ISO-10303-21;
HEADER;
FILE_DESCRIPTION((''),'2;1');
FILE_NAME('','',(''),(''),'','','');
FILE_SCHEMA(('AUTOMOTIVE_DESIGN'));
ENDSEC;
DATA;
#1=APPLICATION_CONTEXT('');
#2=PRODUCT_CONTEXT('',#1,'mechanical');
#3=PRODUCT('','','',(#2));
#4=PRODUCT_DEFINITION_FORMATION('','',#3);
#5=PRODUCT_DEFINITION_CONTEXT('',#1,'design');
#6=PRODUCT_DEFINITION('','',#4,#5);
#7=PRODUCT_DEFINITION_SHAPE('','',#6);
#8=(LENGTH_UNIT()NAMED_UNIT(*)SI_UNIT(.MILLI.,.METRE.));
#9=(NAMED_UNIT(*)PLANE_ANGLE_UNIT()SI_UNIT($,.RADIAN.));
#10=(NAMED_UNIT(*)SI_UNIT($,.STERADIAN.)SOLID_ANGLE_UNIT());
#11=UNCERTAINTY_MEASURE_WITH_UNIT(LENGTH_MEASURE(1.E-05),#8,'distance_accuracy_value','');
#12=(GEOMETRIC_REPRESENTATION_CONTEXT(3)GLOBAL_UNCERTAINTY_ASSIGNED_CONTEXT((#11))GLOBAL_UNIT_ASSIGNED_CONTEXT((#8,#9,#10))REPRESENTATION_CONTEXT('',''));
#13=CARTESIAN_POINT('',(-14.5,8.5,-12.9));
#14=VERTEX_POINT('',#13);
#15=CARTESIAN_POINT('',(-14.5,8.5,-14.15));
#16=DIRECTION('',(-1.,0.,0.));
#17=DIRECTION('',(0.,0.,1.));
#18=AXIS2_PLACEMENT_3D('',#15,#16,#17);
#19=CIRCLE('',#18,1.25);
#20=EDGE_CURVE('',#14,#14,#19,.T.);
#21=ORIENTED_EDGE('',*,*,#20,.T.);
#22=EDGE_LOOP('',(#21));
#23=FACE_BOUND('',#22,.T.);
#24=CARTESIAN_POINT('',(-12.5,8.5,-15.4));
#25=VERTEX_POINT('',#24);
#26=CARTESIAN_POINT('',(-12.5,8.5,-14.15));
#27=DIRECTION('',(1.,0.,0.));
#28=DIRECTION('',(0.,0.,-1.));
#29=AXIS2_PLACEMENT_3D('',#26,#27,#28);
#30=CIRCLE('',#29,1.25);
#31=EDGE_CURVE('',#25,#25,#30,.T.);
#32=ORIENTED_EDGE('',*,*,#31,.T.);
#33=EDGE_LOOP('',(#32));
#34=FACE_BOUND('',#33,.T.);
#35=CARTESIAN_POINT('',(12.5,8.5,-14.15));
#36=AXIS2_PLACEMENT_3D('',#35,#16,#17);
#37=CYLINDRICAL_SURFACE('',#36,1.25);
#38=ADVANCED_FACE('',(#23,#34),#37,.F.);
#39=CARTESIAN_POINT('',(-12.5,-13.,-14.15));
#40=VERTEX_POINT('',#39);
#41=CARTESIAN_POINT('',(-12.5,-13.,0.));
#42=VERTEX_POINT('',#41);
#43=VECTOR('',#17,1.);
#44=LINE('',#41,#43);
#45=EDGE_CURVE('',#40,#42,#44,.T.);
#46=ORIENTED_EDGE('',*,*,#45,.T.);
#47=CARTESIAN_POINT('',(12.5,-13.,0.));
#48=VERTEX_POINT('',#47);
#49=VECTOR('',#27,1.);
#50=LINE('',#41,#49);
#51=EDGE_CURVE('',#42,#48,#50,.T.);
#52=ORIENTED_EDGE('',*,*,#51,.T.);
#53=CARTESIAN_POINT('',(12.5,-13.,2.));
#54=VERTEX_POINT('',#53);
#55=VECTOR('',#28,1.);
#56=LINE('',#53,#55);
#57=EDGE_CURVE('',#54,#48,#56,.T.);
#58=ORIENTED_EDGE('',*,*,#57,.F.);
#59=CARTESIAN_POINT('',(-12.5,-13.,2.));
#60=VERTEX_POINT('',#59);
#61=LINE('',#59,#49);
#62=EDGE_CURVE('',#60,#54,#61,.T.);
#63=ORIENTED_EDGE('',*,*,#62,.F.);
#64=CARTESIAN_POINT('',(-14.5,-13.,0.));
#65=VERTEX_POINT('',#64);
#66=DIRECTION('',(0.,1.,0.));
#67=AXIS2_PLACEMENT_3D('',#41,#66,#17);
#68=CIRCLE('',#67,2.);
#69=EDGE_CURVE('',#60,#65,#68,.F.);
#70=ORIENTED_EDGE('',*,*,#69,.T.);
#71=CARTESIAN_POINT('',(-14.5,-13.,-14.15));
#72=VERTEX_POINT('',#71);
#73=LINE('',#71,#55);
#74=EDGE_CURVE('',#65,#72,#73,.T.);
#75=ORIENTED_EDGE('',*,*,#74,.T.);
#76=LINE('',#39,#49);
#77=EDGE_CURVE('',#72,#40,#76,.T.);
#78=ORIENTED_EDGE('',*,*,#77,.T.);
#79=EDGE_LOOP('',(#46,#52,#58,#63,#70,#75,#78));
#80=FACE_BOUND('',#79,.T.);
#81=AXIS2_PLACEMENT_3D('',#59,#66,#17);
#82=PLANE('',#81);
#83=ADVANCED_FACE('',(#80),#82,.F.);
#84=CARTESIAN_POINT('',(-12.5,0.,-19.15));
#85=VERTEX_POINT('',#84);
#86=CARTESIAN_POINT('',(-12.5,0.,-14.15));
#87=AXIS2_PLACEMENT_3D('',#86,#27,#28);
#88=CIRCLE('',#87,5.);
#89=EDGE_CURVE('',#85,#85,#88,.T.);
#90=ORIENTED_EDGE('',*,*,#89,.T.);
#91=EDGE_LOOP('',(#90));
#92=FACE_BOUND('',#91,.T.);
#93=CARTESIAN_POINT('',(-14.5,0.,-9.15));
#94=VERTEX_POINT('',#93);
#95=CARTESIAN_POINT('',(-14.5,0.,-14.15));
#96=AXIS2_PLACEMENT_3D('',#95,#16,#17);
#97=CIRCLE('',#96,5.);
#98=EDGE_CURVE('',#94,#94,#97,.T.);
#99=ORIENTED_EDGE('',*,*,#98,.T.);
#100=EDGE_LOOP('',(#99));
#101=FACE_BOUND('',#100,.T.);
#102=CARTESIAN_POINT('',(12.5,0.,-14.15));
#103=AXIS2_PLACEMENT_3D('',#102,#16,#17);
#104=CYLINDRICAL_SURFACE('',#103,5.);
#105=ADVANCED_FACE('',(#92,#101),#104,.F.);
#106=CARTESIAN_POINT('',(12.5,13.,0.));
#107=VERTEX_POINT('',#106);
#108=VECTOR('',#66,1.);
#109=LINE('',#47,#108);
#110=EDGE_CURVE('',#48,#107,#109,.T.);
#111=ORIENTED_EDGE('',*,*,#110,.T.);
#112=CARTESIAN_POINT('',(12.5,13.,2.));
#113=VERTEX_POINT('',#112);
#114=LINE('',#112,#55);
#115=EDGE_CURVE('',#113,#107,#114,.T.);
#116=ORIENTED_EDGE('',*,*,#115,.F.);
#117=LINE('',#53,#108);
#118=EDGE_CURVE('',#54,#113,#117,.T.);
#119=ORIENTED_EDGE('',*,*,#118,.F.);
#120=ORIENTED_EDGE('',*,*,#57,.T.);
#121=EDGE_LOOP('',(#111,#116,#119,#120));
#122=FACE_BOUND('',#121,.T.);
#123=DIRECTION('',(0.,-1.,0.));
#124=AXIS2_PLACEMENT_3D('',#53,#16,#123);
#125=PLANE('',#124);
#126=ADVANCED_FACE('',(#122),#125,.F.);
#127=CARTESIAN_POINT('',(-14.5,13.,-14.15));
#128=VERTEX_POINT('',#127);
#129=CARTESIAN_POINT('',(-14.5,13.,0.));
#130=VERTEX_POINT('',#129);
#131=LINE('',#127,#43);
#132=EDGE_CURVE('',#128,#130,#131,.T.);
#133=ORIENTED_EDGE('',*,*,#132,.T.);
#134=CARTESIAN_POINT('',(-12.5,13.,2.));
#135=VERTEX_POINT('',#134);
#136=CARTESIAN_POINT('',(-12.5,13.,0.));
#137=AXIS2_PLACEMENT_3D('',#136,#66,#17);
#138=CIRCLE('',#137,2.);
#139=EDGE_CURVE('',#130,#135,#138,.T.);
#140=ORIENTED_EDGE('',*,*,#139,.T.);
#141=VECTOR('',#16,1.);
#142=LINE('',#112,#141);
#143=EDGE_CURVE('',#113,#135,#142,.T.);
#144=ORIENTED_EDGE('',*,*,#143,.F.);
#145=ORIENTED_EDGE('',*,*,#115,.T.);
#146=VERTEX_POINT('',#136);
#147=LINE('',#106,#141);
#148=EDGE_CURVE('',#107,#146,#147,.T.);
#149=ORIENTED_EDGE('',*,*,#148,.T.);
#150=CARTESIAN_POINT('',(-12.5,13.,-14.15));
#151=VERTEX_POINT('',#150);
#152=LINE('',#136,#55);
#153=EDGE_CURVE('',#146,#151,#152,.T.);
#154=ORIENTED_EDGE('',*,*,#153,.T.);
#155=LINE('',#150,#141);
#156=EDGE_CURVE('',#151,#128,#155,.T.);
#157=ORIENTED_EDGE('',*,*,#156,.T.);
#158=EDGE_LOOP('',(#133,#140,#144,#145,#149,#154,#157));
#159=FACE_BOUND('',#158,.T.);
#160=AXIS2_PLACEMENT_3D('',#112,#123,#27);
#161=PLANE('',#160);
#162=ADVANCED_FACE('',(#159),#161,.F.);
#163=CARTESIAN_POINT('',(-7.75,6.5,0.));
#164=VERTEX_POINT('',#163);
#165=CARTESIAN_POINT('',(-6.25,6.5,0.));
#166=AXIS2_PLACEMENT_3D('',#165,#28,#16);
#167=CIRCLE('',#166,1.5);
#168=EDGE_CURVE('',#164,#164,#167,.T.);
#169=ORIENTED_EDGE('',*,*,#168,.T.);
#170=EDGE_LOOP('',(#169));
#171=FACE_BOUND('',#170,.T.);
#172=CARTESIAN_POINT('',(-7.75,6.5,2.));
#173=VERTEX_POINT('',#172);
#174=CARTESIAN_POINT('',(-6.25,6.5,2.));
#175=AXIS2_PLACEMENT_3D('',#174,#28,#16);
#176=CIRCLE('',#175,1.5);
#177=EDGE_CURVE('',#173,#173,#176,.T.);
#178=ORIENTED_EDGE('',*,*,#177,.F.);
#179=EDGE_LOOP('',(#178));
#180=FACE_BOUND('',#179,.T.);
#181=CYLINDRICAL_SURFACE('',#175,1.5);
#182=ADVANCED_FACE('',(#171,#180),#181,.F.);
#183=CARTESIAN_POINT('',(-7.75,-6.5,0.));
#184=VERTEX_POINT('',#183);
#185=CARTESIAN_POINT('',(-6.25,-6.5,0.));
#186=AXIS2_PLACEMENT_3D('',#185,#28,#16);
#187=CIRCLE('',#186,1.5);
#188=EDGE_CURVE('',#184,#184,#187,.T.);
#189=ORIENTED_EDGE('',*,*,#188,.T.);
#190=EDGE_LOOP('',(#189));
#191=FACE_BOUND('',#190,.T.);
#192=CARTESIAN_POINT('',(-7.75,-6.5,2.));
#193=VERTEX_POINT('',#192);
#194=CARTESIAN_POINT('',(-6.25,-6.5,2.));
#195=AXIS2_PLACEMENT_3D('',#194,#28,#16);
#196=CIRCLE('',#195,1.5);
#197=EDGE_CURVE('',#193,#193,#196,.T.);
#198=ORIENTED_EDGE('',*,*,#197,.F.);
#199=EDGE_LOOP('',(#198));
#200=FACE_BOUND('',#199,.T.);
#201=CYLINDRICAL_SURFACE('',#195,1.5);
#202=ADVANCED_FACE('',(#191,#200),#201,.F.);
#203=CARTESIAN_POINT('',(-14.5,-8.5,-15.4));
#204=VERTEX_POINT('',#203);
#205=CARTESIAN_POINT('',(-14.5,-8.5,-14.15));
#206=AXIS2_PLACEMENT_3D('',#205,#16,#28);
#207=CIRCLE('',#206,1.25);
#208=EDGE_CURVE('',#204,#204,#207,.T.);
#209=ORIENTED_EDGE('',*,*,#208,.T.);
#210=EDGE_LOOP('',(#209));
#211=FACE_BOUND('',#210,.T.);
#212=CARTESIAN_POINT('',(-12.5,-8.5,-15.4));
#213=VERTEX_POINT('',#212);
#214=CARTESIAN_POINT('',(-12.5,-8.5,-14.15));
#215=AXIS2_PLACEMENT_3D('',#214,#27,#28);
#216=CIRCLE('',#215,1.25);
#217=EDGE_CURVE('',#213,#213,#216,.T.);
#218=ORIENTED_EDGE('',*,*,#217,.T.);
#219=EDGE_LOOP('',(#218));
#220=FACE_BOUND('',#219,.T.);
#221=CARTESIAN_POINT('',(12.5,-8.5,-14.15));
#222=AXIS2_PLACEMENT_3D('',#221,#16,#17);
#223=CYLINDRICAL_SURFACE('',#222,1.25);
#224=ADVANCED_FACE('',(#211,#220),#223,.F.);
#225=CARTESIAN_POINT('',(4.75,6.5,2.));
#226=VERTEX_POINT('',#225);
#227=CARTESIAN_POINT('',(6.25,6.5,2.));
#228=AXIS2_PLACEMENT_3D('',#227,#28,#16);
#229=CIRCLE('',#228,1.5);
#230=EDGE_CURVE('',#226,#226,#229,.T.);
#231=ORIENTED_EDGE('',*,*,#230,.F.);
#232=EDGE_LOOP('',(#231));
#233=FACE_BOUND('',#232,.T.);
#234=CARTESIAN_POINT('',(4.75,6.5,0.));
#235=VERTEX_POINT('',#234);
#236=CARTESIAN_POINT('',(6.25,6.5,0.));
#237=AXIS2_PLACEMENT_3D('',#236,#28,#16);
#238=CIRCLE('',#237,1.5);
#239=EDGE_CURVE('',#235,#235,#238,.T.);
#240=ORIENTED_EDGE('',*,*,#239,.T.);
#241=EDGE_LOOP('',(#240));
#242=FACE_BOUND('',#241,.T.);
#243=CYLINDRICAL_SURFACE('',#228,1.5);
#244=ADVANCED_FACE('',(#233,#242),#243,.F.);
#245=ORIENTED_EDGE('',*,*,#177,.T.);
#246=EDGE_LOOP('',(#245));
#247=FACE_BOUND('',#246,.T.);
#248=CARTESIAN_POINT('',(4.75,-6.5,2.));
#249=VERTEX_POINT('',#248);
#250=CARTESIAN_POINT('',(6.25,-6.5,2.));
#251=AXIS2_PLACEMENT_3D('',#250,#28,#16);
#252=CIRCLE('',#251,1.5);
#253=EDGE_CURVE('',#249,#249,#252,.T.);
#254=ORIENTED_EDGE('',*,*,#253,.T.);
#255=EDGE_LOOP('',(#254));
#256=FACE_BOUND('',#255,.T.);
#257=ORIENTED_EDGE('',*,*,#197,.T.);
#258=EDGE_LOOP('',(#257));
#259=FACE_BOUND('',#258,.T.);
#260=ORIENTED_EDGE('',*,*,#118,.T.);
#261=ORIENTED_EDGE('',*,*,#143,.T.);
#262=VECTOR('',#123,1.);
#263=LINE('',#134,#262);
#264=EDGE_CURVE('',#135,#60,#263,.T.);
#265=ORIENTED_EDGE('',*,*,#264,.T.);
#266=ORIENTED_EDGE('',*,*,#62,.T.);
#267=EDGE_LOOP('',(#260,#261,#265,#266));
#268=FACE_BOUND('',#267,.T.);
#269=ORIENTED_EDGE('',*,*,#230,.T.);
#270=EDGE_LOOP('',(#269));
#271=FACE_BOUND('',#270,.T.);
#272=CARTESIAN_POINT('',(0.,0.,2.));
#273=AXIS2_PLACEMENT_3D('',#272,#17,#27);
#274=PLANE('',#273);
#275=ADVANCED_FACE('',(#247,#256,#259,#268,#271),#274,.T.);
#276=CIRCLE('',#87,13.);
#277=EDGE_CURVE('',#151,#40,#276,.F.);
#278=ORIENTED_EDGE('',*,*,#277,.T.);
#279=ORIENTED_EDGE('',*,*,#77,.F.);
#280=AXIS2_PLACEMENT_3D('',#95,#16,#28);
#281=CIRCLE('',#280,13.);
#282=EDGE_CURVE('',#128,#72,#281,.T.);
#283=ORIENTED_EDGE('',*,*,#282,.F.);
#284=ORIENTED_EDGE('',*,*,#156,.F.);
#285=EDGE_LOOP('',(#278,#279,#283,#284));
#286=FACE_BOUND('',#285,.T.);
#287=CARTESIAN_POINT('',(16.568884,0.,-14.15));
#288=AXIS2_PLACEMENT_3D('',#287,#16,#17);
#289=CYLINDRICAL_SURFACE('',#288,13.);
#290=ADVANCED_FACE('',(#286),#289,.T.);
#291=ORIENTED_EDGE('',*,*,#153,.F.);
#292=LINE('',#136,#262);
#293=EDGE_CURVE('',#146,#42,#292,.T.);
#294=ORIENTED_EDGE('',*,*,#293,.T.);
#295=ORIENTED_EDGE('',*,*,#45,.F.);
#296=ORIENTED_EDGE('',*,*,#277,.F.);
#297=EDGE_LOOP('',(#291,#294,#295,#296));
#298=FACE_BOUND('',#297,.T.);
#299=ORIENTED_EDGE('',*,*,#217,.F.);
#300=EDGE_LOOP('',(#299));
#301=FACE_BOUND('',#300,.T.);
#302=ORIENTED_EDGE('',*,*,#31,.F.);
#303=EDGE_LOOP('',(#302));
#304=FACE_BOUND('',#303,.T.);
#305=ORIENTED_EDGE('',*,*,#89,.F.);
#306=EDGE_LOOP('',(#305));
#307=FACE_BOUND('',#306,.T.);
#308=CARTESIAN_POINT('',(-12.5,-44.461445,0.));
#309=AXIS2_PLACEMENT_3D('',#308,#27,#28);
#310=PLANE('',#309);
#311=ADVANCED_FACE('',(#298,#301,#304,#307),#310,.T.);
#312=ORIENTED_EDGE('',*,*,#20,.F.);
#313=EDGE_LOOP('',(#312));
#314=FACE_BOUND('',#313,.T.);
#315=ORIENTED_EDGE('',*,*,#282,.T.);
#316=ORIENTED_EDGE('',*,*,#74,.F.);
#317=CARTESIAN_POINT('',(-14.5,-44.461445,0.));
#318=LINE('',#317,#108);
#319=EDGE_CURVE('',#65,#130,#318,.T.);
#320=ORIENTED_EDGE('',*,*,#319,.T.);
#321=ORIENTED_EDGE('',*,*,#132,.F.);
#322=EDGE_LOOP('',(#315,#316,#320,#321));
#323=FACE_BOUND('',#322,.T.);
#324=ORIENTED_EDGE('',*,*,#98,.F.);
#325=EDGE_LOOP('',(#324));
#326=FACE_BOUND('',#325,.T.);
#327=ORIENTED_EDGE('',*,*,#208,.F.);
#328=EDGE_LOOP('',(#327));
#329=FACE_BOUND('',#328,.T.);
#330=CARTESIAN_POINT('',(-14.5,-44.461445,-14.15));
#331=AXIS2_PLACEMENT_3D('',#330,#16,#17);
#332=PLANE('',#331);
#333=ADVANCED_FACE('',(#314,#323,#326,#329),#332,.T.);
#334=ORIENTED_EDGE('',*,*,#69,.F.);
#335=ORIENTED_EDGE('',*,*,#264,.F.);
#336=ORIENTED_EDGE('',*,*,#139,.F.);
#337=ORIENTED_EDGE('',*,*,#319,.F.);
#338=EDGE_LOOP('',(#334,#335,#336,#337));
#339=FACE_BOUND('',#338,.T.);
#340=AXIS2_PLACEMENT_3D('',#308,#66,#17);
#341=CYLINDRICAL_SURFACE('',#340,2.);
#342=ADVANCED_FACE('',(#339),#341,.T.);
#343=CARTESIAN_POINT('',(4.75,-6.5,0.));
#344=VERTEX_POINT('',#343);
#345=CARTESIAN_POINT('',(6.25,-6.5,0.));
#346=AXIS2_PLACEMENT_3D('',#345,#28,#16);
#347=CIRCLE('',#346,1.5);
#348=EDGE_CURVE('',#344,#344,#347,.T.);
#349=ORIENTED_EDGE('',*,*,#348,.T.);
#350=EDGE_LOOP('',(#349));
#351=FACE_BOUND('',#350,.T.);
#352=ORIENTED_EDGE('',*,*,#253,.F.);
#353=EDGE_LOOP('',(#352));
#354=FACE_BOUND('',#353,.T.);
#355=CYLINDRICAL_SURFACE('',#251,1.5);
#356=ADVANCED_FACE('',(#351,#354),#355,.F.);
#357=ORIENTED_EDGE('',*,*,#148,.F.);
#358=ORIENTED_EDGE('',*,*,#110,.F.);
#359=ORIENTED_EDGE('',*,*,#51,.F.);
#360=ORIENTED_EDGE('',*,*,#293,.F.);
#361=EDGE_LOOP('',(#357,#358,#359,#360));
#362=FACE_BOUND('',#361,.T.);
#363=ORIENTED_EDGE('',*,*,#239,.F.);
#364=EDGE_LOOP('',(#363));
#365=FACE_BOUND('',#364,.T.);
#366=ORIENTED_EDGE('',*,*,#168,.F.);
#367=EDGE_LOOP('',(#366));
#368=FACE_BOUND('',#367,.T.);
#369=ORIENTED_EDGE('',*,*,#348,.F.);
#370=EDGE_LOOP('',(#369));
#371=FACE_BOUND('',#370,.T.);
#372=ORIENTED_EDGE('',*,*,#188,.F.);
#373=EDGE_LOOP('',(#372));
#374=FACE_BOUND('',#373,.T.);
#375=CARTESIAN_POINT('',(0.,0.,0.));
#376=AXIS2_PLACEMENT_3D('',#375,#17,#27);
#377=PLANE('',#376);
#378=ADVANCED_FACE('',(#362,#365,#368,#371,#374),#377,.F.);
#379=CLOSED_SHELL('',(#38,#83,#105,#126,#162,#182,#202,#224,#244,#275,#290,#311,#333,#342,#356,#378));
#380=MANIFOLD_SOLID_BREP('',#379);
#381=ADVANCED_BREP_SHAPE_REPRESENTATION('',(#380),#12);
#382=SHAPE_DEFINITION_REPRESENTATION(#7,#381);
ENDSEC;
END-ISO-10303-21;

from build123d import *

# Parameters (mm, degrees)
ESQUISSE1_W             = 25
ESQUISSE1_H             = 26
ESQUISSE1_R             = 1.5
BOSS_EXTRU_1_DEPTH      = 2
BOSS_EXTRU_2_DEPTH      = 26
BOSS_EXTRU_3_DEPTH      = 2
ESQUISSE7_R             = 1.5
ENL_V_MAT_EXTRU_1_DEPTH = 3
ESQUISSE6_R             = 5
ENL_V_MAT_EXTRU_2_DEPTH = 28
ESQUISSE8_R             = 1.25
ENL_V_MAT_EXTRU_3_DEPTH = 28


with BuildPart() as part:
    # Esquisse1 → Boss.-Extru.1 (new body)
    with BuildSketch(Plane.XY):
        Rectangle(ESQUISSE1_W, ESQUISSE1_H)
        with Locations((-6.25, 6.5)):
            Circle(ESQUISSE1_R, mode=Mode.SUBTRACT)
        with Locations((6.25, 6.5)):
            Circle(ESQUISSE1_R, mode=Mode.SUBTRACT)
        with Locations((6.25, -6.5)):
            Circle(ESQUISSE1_R, mode=Mode.SUBTRACT)
        with Locations((-6.25, -6.5)):
            Circle(ESQUISSE1_R, mode=Mode.SUBTRACT)
    extrude(amount=BOSS_EXTRU_1_DEPTH)

    # Esquisse2 → Boss.-Extru.2 (add)
    with BuildSketch(Plane(origin=(0, 13, 0), x_dir=(1, 0, 0), z_dir=(0, 1, 0))):
        with BuildLine():
            Line((-12.5, -2), (12.5, -2))
            Line((12.5, -2), (12.5, 0))
            Line((12.5, 0), (-12.5, 0))
            Line((-12.5, 0), (-12.5, 14.15))
            Line((-12.5, 14.15), (-14.5, 14.15))
            Line((-14.5, 14.15), (-14.5, 0))
            ThreePointArc((-14.5, 0), (-13.914213562, -1.414213562), (-12.5, -2))
        make_face()
    extrude(amount=-BOSS_EXTRU_2_DEPTH)

    # Esquisse5 → Boss.-Extru.3 (add)
    with BuildSketch(Plane.ZY.offset(14.5)):
        with BuildLine():
            Line((-14.15, -13), (-14.15, 13))
            ThreePointArc((-14.15, 13), (-27.15, 0), (-14.15, -13))
        make_face()
    extrude(amount=-BOSS_EXTRU_3_DEPTH)

    # Esquisse7 → Enlèv. mat.-Extru.1 (cut, through all)
    with BuildSketch(Plane(origin=(0, 0, 0), x_dir=(-1, 0, 0), z_dir=(0, 0, -1))):
        with Locations((-6.25, -6.5)):
            Circle(ESQUISSE7_R)
        with Locations((6.25, -6.5)):
            Circle(ESQUISSE7_R)
        with Locations((6.25, 6.5)):
            Circle(ESQUISSE7_R)
        with Locations((-6.25, 6.5)):
            Circle(ESQUISSE7_R)
    extrude(amount=-ENL_V_MAT_EXTRU_1_DEPTH, mode=Mode.SUBTRACT)

    # Esquisse6 → Enlèv. mat.-Extru.2 (cut, through all)
    with BuildSketch(Plane.ZY.offset(14.5)):
        with Locations((-14.15, 0)):
            Circle(ESQUISSE6_R)
    extrude(amount=-ENL_V_MAT_EXTRU_2_DEPTH, mode=Mode.SUBTRACT)

    # Esquisse8 → Enlèv. mat.-Extru.3 (cut, through all)
    with BuildSketch(Plane.ZY.offset(14.5)):
        with Locations((-14.15, 8.5)):
            Circle(ESQUISSE8_R)
        with Locations((-14.15, -8.5)):
            Circle(ESQUISSE8_R)
    extrude(amount=-ENL_V_MAT_EXTRU_3_DEPTH, mode=Mode.SUBTRACT)


solid = part.part
